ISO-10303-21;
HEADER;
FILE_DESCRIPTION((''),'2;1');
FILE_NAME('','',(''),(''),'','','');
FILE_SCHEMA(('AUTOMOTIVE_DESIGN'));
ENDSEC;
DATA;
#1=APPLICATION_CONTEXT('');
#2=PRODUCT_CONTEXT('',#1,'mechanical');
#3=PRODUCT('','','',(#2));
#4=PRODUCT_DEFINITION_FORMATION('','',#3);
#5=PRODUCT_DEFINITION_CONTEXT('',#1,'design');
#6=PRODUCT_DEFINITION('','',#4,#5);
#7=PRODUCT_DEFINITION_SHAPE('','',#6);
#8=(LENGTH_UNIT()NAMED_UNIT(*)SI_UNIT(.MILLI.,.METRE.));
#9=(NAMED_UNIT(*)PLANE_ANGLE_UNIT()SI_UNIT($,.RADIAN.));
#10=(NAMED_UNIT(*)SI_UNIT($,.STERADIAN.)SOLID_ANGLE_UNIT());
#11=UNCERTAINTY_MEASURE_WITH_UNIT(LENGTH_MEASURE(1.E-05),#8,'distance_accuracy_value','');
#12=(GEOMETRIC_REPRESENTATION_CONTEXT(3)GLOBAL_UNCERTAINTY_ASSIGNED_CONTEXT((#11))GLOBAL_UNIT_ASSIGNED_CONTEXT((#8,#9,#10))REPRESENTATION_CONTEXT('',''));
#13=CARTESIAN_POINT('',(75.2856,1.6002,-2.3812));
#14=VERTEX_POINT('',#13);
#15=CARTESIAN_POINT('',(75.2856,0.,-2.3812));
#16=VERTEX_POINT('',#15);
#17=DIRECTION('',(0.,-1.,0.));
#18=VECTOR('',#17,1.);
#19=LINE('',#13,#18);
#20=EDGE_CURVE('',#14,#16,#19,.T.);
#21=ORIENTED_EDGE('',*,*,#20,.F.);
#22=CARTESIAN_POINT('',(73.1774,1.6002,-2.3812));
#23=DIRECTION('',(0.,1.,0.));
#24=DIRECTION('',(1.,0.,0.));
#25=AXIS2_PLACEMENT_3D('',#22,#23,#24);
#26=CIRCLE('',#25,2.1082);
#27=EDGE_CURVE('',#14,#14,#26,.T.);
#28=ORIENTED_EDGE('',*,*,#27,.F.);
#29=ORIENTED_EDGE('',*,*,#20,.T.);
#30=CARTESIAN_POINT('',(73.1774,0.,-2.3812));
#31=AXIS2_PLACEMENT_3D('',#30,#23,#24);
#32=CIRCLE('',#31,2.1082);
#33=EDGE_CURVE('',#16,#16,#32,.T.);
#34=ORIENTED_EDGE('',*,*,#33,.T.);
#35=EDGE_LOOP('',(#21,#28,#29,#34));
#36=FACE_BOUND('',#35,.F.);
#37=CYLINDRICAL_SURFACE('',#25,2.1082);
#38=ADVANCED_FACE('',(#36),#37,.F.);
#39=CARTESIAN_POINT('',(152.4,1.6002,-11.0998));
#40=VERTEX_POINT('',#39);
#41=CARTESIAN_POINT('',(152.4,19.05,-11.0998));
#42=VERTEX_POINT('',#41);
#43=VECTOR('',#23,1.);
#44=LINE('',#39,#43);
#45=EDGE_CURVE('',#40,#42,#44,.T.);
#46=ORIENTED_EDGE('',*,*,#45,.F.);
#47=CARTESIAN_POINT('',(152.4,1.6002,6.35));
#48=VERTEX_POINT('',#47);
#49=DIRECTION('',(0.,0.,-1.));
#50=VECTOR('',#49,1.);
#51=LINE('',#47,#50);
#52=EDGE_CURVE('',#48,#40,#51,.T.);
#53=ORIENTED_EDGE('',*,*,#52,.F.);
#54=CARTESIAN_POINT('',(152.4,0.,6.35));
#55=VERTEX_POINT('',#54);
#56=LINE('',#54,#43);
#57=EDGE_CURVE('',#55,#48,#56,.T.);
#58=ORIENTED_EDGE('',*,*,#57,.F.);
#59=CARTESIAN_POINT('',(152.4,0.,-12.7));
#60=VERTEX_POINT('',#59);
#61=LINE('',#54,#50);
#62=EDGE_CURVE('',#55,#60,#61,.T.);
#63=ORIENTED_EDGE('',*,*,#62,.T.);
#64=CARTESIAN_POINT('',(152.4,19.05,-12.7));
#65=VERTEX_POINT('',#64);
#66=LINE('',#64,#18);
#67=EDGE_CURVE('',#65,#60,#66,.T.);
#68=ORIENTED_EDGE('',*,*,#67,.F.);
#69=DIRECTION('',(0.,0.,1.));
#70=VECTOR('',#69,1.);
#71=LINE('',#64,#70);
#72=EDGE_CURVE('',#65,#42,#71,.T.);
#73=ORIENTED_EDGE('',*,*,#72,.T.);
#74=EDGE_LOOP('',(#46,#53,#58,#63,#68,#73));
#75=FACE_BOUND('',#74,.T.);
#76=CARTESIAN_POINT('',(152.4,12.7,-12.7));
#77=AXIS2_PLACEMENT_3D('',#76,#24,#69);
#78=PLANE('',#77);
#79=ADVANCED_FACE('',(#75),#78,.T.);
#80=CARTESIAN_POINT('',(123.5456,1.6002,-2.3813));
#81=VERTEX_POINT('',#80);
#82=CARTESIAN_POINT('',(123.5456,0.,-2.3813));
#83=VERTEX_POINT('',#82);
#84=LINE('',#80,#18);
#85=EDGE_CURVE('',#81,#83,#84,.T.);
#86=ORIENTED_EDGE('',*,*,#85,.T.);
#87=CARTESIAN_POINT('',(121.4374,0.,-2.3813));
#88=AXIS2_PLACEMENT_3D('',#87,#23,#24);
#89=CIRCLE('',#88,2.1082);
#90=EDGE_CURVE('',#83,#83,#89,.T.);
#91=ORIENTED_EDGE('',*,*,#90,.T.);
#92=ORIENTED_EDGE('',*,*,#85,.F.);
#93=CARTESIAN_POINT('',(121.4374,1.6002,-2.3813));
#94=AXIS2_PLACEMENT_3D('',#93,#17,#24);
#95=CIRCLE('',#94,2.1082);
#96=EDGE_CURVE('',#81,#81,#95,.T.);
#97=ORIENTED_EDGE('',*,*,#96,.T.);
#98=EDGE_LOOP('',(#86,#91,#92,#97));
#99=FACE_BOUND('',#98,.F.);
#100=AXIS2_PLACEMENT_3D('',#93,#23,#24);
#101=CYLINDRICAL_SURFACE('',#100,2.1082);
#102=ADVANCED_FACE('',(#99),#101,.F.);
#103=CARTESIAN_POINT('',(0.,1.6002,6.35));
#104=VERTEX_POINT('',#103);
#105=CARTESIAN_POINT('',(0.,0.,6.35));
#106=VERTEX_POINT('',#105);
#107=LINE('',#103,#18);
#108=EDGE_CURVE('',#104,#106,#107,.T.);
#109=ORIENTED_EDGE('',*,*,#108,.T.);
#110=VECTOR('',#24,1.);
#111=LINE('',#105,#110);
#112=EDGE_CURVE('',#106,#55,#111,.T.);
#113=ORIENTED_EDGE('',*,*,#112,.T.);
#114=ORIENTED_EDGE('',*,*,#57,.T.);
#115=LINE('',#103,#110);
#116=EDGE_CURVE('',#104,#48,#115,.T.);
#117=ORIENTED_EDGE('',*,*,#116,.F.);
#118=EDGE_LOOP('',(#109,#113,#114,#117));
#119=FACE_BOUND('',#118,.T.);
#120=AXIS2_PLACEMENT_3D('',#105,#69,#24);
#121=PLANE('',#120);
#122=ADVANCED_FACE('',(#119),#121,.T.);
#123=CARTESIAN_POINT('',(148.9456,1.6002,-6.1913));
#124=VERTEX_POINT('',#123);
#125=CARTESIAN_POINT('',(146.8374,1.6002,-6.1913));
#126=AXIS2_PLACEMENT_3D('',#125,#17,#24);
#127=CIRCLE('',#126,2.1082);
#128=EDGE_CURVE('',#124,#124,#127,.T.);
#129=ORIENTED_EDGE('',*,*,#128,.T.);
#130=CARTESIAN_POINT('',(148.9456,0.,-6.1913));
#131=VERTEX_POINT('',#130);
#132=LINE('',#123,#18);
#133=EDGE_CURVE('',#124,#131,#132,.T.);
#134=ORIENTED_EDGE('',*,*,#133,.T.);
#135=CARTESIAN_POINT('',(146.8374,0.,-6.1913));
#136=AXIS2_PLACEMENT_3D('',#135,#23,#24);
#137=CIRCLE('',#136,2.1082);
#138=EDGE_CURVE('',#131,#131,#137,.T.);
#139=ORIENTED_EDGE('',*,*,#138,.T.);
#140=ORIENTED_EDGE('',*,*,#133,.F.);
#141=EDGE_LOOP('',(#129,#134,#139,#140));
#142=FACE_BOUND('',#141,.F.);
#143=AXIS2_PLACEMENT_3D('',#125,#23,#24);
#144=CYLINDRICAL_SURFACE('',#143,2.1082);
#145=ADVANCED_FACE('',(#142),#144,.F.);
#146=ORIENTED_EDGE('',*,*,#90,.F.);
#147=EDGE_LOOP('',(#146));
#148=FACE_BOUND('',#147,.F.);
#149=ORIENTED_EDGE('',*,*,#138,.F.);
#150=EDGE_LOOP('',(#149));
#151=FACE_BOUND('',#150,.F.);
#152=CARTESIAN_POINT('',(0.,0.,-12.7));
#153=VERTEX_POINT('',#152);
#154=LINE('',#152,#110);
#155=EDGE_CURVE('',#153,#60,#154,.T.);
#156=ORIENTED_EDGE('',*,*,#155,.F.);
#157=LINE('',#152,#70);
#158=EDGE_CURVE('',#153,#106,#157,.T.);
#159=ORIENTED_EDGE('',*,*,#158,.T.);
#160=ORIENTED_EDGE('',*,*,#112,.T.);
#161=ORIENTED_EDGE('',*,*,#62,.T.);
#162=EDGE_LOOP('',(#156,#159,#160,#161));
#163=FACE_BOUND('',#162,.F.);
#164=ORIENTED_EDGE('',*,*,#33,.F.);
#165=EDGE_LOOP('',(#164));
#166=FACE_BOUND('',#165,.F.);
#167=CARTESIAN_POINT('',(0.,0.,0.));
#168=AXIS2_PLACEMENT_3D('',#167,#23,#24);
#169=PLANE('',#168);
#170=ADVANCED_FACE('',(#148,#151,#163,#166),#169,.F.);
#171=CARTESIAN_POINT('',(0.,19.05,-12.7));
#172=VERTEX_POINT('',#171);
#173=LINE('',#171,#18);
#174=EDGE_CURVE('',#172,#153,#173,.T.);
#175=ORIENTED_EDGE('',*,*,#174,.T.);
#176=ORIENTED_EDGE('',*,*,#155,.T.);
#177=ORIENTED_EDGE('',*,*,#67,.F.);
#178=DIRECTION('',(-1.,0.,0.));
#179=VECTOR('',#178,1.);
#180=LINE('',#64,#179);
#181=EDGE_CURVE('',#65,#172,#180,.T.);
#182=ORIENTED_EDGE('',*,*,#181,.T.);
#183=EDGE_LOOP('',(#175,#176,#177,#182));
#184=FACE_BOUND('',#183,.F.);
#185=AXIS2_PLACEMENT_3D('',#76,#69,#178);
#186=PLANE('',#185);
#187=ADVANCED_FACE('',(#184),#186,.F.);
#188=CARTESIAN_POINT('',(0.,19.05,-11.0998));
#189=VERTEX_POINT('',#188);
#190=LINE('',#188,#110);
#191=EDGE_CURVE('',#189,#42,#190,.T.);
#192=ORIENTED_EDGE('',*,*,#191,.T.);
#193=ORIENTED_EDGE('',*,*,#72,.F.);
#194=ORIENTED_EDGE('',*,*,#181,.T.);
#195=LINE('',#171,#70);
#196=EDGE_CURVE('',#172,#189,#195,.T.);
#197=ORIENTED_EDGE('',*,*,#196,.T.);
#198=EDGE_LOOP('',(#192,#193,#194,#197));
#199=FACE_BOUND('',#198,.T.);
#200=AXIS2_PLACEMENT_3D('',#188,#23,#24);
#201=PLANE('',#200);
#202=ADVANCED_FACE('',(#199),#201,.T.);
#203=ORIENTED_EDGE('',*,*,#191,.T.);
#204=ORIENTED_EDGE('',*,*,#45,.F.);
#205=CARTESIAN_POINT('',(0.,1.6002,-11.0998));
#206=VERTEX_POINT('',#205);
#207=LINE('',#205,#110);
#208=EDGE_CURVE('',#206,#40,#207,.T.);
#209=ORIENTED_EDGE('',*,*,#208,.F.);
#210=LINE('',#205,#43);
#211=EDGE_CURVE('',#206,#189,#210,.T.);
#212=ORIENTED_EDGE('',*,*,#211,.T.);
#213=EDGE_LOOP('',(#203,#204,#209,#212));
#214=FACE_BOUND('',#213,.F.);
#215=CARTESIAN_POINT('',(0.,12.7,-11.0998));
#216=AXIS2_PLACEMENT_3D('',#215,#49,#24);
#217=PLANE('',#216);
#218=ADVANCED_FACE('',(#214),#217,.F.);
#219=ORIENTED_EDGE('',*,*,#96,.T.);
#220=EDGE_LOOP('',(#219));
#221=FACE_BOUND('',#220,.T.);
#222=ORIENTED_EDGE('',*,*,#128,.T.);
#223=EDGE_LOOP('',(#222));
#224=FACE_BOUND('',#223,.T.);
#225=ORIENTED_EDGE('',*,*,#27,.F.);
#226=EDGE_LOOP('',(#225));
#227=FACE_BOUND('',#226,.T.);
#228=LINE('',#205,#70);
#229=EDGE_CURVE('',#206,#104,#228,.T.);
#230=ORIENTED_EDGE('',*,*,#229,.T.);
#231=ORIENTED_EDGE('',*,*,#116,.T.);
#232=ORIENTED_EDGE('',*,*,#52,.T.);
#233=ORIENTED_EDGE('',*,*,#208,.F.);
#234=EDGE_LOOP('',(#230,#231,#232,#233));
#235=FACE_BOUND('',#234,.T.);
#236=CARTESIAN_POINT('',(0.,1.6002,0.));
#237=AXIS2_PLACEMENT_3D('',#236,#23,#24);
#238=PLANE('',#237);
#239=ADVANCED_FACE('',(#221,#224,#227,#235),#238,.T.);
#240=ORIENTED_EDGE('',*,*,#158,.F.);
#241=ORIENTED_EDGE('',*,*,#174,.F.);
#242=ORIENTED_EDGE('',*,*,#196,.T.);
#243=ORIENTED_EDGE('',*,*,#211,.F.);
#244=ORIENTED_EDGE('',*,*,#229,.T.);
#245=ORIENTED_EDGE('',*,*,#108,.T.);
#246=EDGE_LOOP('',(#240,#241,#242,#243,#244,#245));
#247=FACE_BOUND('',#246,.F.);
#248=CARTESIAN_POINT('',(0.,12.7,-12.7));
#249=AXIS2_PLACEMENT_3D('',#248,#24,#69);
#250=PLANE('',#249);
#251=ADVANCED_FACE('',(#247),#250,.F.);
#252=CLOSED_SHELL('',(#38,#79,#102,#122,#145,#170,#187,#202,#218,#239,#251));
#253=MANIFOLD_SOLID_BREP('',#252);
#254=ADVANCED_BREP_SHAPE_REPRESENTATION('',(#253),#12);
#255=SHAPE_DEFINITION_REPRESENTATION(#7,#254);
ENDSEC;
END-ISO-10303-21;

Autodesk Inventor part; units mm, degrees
ref_plane "YZ Plane" through (0, 0, 0) normal (1, 0, 0) x (0, 1, 0)
ref_plane "XZ Plane" through (0, 0, 0) normal (0, 1, 0) x (-1, 0, 0)
ref_plane "XY Plane" through (0, 0, 0) normal (0, 0, 1) x (1, 0, 0)
sketch "Sketch1" plane through (0, 0, 0) normal (1, 0, 0) x (0, 1, 0)
  line L0 (0, 0) -> (1.6002, 0)
  line L1 (1.6002, 0) -> (1.6002, -12.7)
  line L2 (1.6002, -12.7) -> (0, -12.7)
  line L3 (0, -12.7) -> (0, 0)
  line L4 (0, -12.7) -> (0, -11.0998)
  line L5 (0, -11.0998) -> (12.7, -11.0998)
  line L6 (12.7, -11.0998) -> (12.7, -12.7)
  line L7 (12.7, -12.7) -> (0, -12.7)
  line L8 (0, -12.7) -> (0, -11.0998)
  point P0 (1.6002, -11.0998)
  dimension "d0" = 1.6002
  dimension "d1" = 12.7
  dimension "d2" = 1.6002
  dimension "d3" = 12.7
extrude "Extrusion1" add sketch "Sketch1" along normal blind 152.4
sketch "Sketch4" plane through (0, 0, 0) normal (0, 0, 1) x (1, 0, 0)
  line L0 (0, 1.6002) -> (152.4, 1.6002) projected
  line L1 (0, 0) -> (152.4, 0)
  line L2 (152.4, 0) -> (152.4, 1.6002)
  line L3 (152.4, 1.6002) -> (0, 1.6002)
  line L4 (0, 1.6002) -> (0, 0)
extrude "Extrusion4" add sketch "Sketch4" along normal blind 6.35
sketch "Sketch5" plane through (0, 12.7, -11.0998) normal (0, 1, 0) x (1, 0, 0)
  line L0 (0, 0) -> (152.4, 0) projected
  line L1 (152.4, 1.6002) -> (152.4, -17.4498) projected
  line L2 (0, 0) -> (152.4, 0)
  line L3 (152.4, 0) -> (152.4, 1.6002)
  line L4 (152.4, 1.6002) -> (0, 1.6002)
  line L5 (0, 1.6002) -> (0, 0)
  point P0 (0, -11.0998)
extrude "Extrusion5" add sketch "Sketch5" along normal blind 6.35
sketch "Sketch6" plane through (0, 1.6002, -11.0998) normal (0, 1, 0) x (1, 0, 0)
  point P0 (0, -11.0998)
sketch "Sketch7" plane through (0, 1.6002, -11.0998) normal (0, 1, 0) x (1, 0, 0)
  line L0 (152.4, 1.6002) -> (152.4, -17.4498) projected
  line L1 (152.4, -17.4498) -> (152.4, 0.0127)
  line L2 (152.4, -8.7185) -> (146.8374, -8.7185)
  line L3 (146.8374, -8.7185) -> (121.4374, -8.7185)
  circle A0 centre (121.4374, -8.7185) radius 2.1082
  line L4 (121.4374, -8.7185) -> (73.1774, -8.7186)
  circle A1 centre (73.1774, -8.7186) radius 2.1082
  line L5 (146.8374, -8.7185) -> (146.8374, -4.9085)
  circle A2 centre (146.8374, -4.9085) radius 2.1082
  point P0 (0, -11.0998)
  dimension "d19" = 17.4625
  dimension "d20" = 5.5626
  dimension "d22" = 25.4
  dimension "d23" = 48.26
  dimension "d24" = 4.2164
  dimension "d27" = 3.81
  dimension "d28" = 4.2164
extrude "Extrusion6" cut sketch "Sketch7" against normal blind 25.4
properties part number "wing"
